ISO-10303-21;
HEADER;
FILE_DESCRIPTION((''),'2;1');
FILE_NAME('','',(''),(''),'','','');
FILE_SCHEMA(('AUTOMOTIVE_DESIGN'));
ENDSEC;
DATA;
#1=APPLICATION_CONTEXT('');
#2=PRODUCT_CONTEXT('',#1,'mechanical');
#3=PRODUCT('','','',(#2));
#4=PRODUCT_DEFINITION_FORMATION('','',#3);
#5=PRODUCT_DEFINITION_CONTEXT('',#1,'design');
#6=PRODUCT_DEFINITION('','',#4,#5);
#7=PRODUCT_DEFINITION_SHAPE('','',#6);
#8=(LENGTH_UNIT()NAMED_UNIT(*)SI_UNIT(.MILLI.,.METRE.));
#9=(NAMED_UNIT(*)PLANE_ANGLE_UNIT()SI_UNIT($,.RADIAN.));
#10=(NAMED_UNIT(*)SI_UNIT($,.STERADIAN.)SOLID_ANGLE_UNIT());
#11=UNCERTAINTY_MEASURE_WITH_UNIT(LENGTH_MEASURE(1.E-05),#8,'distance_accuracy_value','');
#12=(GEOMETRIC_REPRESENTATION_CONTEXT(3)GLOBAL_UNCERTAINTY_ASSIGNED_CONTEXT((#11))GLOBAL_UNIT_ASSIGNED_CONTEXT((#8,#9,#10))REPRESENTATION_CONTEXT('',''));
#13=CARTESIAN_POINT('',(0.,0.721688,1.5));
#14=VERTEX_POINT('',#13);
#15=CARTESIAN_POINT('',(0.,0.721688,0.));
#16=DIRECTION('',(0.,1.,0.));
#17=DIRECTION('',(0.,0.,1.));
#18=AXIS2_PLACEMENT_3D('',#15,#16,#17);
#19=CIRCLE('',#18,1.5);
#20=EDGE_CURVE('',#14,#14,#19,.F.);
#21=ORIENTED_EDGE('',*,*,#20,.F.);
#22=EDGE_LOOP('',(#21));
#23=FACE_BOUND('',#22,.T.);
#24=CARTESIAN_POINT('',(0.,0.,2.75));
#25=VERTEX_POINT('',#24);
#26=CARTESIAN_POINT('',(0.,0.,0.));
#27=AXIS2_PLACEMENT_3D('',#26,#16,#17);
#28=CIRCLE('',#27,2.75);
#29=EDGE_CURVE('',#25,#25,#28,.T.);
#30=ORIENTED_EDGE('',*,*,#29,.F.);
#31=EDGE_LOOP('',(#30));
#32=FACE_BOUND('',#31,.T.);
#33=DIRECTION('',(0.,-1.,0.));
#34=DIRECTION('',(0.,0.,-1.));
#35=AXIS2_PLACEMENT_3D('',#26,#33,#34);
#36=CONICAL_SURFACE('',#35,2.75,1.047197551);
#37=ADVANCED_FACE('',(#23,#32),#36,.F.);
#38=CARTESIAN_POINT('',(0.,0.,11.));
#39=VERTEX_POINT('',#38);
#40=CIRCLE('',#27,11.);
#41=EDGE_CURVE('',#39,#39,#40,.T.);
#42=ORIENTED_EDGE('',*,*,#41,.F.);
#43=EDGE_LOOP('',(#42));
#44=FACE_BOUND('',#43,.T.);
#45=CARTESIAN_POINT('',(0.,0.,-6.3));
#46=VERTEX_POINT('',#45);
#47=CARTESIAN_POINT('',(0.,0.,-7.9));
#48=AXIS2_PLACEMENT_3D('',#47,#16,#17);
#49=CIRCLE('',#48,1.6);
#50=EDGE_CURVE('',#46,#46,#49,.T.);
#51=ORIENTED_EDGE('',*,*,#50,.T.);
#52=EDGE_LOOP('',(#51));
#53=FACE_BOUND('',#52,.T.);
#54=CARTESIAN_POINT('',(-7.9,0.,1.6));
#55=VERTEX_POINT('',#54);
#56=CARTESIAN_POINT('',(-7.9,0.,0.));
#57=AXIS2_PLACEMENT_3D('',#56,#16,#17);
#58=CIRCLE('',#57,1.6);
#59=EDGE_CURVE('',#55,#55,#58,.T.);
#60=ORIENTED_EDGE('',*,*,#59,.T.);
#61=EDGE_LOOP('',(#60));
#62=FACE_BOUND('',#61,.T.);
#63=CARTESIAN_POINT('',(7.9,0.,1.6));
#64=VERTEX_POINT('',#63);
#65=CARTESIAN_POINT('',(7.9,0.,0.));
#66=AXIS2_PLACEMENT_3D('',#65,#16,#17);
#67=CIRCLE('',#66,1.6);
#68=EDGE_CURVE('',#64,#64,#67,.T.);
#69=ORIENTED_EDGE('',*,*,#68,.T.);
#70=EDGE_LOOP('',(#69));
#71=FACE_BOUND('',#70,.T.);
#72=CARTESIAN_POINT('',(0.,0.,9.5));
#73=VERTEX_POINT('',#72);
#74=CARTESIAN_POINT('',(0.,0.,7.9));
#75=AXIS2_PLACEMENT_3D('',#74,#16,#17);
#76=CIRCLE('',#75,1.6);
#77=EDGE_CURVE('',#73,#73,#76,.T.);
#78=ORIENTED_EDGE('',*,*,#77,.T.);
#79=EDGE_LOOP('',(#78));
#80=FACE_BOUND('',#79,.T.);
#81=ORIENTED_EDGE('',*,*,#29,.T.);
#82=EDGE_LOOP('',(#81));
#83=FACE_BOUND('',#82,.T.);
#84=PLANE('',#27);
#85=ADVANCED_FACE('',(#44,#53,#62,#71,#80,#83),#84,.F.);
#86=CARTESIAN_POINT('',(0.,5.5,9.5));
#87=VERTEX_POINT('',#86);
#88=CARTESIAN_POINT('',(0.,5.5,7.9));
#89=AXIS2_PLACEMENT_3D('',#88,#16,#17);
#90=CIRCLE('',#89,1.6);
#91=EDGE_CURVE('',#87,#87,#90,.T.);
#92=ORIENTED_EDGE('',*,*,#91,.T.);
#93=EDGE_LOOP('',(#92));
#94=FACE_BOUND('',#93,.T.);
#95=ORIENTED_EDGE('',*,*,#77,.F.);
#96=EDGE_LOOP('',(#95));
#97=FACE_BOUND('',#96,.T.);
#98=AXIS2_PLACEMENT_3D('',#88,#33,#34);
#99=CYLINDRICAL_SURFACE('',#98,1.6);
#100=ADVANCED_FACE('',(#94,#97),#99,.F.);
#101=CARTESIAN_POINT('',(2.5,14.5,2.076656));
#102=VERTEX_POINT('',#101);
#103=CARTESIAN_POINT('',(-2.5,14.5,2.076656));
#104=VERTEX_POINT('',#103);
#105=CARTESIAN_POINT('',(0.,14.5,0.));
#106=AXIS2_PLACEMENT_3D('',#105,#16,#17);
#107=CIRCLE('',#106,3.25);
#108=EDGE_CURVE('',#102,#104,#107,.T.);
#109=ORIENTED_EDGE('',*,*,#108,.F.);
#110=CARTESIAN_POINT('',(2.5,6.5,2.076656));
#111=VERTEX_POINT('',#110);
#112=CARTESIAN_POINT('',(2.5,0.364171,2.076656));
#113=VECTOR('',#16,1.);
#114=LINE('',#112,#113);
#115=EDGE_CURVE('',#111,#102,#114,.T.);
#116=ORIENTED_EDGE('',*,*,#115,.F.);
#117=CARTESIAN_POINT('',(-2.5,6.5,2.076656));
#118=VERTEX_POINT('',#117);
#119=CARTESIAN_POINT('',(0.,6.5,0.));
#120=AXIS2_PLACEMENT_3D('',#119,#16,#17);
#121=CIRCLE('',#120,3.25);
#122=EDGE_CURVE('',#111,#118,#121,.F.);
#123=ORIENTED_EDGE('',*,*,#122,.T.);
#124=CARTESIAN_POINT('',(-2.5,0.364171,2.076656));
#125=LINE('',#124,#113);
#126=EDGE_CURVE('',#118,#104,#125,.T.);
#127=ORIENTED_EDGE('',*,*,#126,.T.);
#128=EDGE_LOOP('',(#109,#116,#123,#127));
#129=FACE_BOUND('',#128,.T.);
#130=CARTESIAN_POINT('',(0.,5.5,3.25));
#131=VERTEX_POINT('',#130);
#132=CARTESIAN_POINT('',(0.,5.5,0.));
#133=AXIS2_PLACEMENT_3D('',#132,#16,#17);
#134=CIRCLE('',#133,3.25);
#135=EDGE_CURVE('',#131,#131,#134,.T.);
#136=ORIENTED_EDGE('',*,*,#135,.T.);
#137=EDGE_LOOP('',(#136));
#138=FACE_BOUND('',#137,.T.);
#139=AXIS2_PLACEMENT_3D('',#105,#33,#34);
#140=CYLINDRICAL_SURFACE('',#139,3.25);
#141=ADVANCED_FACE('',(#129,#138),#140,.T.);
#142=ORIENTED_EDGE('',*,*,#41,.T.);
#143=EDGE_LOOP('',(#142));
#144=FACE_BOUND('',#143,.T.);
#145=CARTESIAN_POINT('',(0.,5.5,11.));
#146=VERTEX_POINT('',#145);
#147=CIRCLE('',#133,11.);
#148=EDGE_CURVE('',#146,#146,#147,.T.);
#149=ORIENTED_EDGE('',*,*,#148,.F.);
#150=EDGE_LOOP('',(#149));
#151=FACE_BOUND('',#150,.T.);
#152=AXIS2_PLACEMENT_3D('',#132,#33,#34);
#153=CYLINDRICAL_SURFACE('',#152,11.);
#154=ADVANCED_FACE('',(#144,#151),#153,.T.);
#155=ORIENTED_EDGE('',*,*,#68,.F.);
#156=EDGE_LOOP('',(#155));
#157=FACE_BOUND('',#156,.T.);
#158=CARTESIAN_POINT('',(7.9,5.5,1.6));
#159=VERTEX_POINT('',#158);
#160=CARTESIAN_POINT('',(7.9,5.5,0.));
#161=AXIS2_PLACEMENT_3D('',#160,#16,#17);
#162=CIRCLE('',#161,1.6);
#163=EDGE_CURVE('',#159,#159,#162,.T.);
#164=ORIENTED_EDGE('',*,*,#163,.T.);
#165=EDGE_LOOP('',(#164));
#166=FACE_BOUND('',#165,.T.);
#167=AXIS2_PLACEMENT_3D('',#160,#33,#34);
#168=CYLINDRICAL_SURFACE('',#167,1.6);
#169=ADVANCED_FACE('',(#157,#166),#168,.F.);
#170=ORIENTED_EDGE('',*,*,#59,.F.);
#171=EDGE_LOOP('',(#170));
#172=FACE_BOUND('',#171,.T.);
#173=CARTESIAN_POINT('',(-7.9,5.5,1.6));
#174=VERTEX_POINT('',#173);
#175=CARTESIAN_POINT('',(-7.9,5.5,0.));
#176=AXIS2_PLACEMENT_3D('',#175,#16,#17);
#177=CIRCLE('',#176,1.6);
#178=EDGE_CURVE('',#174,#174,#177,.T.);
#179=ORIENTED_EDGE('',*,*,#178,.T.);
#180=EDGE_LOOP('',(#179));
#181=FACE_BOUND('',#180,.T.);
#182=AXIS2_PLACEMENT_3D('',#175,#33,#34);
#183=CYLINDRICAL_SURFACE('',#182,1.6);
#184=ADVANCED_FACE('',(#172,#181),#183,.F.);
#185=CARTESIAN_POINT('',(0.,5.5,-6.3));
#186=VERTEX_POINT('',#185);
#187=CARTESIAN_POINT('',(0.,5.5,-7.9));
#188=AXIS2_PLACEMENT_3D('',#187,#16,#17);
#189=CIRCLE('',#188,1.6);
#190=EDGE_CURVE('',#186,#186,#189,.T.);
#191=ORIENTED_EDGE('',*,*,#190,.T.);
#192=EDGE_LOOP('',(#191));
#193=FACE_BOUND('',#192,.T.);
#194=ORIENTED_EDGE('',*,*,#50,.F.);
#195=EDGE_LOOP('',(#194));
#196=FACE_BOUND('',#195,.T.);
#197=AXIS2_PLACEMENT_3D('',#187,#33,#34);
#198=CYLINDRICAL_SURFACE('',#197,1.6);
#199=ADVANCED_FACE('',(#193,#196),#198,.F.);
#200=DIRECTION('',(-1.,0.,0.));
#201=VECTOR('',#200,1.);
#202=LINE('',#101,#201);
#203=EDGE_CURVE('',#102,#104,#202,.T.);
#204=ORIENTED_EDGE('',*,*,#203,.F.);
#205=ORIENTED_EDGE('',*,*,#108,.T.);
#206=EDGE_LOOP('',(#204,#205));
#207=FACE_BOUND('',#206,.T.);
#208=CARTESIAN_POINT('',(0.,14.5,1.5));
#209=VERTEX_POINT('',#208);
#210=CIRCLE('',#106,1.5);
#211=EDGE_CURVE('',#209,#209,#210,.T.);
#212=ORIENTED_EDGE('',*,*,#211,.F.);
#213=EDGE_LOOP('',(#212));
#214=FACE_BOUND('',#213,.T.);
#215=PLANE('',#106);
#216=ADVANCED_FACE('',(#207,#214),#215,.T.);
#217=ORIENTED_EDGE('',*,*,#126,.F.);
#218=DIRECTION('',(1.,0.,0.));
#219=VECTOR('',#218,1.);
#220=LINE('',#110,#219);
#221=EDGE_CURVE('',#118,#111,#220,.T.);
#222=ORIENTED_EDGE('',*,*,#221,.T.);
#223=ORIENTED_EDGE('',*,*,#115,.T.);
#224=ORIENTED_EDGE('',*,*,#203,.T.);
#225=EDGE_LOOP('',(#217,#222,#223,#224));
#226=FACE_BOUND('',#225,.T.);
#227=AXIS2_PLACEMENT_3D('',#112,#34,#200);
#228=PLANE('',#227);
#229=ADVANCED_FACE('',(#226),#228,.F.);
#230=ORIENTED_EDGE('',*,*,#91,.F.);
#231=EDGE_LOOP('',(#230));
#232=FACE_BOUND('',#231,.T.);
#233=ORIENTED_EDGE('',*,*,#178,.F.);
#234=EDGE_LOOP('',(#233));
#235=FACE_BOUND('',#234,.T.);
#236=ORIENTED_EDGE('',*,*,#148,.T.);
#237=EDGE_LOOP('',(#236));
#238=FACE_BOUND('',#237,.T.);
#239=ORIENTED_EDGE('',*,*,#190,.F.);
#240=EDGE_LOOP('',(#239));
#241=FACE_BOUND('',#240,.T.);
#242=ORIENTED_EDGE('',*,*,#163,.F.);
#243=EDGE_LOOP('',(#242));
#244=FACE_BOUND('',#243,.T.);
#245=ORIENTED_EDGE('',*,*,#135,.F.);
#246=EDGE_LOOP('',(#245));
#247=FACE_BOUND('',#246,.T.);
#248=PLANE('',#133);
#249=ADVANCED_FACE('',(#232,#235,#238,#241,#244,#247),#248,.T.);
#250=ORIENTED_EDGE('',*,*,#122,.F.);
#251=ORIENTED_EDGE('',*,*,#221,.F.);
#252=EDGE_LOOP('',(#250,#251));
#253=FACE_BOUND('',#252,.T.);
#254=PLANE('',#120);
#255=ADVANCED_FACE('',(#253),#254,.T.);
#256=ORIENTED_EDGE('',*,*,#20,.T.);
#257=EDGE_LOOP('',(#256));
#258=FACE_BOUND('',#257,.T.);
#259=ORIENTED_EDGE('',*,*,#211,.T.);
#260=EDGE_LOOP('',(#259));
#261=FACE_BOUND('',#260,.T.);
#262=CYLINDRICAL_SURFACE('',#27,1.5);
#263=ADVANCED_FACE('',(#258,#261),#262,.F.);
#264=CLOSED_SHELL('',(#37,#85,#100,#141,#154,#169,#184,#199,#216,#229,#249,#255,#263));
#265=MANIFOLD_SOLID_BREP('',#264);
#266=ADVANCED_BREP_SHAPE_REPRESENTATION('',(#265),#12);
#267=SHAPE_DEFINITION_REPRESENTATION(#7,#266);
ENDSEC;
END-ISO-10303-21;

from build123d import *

# Parameters (mm, degrees)
SKETCH1_R           = 11
SKETCH1_R_2         = 1.6
BOSS_EXTRUDE1_DEPTH = 5.5
SKETCH2_R           = 3.25
BOSS_EXTRUDE3_DEPTH = 9
CUT_EXTRUDE2_START  = -8
CUT_EXTRUDE2_DEPTH  = 8
SKETCH5_R           = 1.5
CUT_EXTRUDE3_DEPTH  = 22.266170318
CHAMFER1_SIZE       = 1.25
CHAMFER1_SIZE2      = 0.721687836


with BuildPart() as part:
    # Sketch1 → Boss-Extrude1 (new body)
    with BuildSketch(Plane(origin=(0, 0, 0), x_dir=(1, 0, 0), z_dir=(0, 1, 0))):
        with Locations(Location((0, 0, 0), (0, 0, 270))):
            Circle(SKETCH1_R)
        with Locations(Location((0, 7.9, 0), (0, 0, 270))):
            Circle(SKETCH1_R_2, mode=Mode.SUBTRACT)
        with Locations(Location((7.9, 0, 0), (0, 0, 270))):
            Circle(SKETCH1_R_2, mode=Mode.SUBTRACT)
        with Locations(Location((0, -7.9, 0), (0, 0, 270))):
            Circle(SKETCH1_R_2, mode=Mode.SUBTRACT)
        with Locations(Location((-7.9, 0, 0), (0, 0, 270))):
            Circle(SKETCH1_R_2, mode=Mode.SUBTRACT)
    extrude(amount=BOSS_EXTRUDE1_DEPTH)

    # Sketch2 → Boss-Extrude3 (add)
    with BuildSketch(Plane(origin=(0, 5.5, 0), x_dir=(1, 0, 0), z_dir=(0, 1, 0))):
        with Locations(Location((0, 0, 0), (0, 0, 270))):
            Circle(SKETCH2_R)
    extrude(amount=BOSS_EXTRUDE3_DEPTH)

    # Sketch4 → Cut-Extrude2 (cut)
    with BuildSketch(Plane(origin=(0, 14.5, 0), x_dir=(1, 0, 0), z_dir=(0, 1, 0)).offset(CUT_EXTRUDE2_START)):
        with BuildLine():
            Line((2.5, -2.076655966), (-2.5, -2.076655966))
            ThreePointArc((-2.5, -2.076655966), (0, -3.25), (2.5, -2.076655966))
        make_face()
    extrude(amount=CUT_EXTRUDE2_DEPTH, mode=Mode.SUBTRACT)

    # Sketch5 → Cut-Extrude3 (cut, through all)
    with BuildSketch(Plane(origin=(0, 14.5, 0), x_dir=(1, 0, 0), z_dir=(0, 1, 0))):
        with Locations(Location((0, 0, 0), (0, 0, 270))):
            Circle(SKETCH5_R)
    extrude(amount=-CUT_EXTRUDE3_DEPTH, mode=Mode.SUBTRACT)

    # Chamfer1
    chamfer1_edges = [part.edges().sort_by_distance(p)[0] for p in [
        (0, 0, -1.5),
    ]]
    chamfer1_side = [part.faces().sort_by_distance(p)[0] for p in [
        (0, 0, -10.688873016),
    ]]
    chamfer(chamfer1_edges, length=CHAMFER1_SIZE, length2=CHAMFER1_SIZE2, reference=chamfer1_side[0])


solid = part.part
